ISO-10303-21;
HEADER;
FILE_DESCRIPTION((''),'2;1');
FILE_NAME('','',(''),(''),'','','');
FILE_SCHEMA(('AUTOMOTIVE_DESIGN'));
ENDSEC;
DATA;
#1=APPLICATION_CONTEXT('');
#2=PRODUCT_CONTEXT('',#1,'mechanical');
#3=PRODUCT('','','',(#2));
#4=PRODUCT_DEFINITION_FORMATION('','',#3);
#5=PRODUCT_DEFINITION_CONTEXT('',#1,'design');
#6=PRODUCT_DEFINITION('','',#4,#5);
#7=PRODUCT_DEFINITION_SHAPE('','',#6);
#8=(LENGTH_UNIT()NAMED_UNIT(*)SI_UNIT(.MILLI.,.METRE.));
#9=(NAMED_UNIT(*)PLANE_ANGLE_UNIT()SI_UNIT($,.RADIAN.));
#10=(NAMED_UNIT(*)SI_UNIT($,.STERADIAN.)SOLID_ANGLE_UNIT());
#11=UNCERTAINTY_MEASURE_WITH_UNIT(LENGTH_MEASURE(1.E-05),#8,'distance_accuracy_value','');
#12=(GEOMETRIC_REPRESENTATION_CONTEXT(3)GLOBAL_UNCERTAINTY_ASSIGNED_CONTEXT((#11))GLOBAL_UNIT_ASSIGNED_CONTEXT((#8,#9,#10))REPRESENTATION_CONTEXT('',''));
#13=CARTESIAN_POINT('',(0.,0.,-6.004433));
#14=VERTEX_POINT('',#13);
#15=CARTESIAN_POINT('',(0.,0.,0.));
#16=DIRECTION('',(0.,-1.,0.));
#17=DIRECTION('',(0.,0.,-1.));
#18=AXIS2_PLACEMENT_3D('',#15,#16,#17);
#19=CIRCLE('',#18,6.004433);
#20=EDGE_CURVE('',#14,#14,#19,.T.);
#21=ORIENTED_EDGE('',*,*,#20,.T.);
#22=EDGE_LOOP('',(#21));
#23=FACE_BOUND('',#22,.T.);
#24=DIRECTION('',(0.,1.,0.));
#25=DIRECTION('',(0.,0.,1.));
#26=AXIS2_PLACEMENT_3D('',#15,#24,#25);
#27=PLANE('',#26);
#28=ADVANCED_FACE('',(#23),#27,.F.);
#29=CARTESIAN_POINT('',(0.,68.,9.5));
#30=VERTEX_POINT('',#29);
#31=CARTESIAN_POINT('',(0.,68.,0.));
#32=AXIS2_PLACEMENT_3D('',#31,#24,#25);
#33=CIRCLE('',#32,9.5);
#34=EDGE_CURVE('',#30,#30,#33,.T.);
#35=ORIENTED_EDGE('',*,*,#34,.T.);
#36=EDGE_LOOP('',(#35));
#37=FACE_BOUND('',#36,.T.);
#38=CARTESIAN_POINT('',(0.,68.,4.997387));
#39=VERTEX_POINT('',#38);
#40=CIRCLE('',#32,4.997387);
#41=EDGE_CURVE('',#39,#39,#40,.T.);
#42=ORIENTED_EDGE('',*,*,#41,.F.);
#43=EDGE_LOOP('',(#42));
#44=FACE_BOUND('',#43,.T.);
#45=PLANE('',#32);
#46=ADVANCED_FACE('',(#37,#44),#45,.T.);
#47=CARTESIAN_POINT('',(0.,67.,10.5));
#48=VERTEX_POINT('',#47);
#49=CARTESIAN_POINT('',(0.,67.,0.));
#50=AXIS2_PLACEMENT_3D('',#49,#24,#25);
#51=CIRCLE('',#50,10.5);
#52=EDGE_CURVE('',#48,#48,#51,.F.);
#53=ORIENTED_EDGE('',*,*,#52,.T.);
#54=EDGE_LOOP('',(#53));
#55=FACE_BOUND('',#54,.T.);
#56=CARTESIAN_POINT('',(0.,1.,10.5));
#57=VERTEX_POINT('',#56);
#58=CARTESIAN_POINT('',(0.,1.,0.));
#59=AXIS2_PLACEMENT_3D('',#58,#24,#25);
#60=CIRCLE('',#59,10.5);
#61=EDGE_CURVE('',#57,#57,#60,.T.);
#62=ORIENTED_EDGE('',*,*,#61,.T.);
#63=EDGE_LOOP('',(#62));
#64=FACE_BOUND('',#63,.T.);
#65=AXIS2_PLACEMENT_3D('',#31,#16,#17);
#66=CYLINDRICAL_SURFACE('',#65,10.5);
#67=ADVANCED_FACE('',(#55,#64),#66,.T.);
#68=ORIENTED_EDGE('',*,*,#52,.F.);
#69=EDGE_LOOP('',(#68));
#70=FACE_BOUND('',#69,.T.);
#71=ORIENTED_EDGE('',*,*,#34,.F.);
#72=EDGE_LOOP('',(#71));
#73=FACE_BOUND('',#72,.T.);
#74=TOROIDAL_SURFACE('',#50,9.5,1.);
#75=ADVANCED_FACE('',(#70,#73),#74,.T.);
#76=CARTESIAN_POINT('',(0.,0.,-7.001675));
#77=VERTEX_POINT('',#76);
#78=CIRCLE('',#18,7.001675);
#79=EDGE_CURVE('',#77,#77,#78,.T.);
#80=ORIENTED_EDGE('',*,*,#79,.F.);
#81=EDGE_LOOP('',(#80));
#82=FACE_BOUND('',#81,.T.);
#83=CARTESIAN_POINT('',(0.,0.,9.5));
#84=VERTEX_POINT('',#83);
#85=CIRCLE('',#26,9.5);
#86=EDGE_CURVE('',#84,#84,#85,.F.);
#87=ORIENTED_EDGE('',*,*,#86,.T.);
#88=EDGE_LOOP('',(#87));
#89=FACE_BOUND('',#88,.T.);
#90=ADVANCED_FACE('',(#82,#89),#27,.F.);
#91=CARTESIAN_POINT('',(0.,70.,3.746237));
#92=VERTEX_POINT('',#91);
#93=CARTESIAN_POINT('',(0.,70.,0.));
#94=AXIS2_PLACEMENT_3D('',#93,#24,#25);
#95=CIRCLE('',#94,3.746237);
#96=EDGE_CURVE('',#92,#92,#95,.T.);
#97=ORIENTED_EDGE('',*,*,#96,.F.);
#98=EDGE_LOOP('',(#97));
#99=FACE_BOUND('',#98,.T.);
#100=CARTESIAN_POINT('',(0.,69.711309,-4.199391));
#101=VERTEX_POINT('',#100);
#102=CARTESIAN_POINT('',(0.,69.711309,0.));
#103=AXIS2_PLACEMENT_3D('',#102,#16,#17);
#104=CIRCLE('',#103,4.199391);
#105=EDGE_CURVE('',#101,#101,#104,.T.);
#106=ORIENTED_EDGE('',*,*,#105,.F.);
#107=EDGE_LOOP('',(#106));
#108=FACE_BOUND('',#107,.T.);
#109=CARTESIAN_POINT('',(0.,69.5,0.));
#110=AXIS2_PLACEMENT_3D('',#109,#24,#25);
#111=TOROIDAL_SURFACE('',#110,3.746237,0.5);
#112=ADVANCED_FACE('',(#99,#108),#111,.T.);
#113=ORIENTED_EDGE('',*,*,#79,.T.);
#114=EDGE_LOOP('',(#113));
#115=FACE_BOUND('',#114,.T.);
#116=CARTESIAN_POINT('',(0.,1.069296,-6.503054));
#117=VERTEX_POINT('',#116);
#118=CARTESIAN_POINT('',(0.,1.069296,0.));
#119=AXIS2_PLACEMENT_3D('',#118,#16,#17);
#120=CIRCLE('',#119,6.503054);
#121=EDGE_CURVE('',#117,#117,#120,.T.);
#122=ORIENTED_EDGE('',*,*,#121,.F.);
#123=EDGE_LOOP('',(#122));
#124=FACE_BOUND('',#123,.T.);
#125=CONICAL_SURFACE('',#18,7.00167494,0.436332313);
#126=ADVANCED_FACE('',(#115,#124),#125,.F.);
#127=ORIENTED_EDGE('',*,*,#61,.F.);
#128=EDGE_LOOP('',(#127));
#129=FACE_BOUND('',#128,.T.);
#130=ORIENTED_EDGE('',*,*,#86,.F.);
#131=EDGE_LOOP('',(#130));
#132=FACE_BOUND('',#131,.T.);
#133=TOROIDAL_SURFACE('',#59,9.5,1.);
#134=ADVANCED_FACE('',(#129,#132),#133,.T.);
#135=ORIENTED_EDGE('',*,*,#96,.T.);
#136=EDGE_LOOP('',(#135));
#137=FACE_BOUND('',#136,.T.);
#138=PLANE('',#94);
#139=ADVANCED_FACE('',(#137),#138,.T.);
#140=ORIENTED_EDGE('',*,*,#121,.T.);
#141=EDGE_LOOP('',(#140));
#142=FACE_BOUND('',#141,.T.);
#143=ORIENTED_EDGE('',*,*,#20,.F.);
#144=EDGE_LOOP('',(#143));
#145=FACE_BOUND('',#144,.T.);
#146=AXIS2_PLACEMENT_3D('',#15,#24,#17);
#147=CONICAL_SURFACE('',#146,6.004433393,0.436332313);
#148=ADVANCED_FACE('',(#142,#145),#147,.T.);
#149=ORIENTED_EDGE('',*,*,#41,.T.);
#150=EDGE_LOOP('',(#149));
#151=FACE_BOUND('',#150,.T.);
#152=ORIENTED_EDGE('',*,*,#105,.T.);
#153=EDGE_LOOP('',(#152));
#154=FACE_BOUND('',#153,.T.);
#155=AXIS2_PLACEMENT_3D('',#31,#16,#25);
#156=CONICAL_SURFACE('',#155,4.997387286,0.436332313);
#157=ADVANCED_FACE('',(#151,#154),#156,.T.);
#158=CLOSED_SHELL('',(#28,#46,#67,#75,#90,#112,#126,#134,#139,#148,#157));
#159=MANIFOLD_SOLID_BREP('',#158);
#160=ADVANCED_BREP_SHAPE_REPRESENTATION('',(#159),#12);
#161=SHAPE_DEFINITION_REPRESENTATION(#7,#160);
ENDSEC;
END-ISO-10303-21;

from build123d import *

# Parameters (mm, degrees)
SKETCH1_R           = 10.5
BOSS_EXTRUDE1_DEPTH = 68
SKETCH2_R           = 4.997387286
BOSS_EXTRUDE2_DEPTH = 2
BOSS_EXTRUDE2_TAPER = 25
SKETCH3_R           = 7.00167494
SKETCH3_R_2         = 6.004433393
CUT_EXTRUDE1_DEPTH  = 3
CUT_EXTRUDE1_TAPER  = 25
FILLET1_R           = 1
FILLET2_R           = 0.5
FILLET3_R           = 1


with BuildPart() as part:
    # Sketch1 → Boss-Extrude1 (new body)
    with BuildSketch(Plane(origin=(0, 0, 0), x_dir=(1, 0, 0), z_dir=(0, 1, 0))):
        with Locations(Location((0, 0, 0), (0, 0, 270))):
            Circle(SKETCH1_R)
    extrude(amount=BOSS_EXTRUDE1_DEPTH)

    # Sketch2 → Boss-Extrude2 (add)
    with BuildSketch(Plane(origin=(0, 68, 0), x_dir=(1, 0, 0), z_dir=(0, 1, 0))):
        Circle(SKETCH2_R)
    extrude(amount=BOSS_EXTRUDE2_DEPTH, taper=BOSS_EXTRUDE2_TAPER)

    # Sketch3 → Cut-Extrude1 (cut)
    with BuildSketch(Plane.XZ):
        Circle(SKETCH3_R)
        Circle(SKETCH3_R_2, mode=Mode.SUBTRACT)
    extrude(amount=-CUT_EXTRUDE1_DEPTH, taper=CUT_EXTRUDE1_TAPER, mode=Mode.SUBTRACT)

    # Fillet1
    fillet1_edges = [part.edges().sort_by_distance(p)[0] for p in [
        (0, 68, -10.5),
    ]]
    fillet(fillet1_edges, radius=FILLET1_R)

    # Fillet2
    fillet2_edges = [part.edges().sort_by_distance(p)[0] for p in [
        (-4.064771969, 70, 0),
    ]]
    fillet(fillet2_edges, radius=FILLET2_R)

    # Fillet3
    fillet3_edges = [part.edges().sort_by_distance(p)[0] for p in [
        (0, 0, -10.5),
    ]]
    fillet(fillet3_edges, radius=FILLET3_R)


solid = part.part
